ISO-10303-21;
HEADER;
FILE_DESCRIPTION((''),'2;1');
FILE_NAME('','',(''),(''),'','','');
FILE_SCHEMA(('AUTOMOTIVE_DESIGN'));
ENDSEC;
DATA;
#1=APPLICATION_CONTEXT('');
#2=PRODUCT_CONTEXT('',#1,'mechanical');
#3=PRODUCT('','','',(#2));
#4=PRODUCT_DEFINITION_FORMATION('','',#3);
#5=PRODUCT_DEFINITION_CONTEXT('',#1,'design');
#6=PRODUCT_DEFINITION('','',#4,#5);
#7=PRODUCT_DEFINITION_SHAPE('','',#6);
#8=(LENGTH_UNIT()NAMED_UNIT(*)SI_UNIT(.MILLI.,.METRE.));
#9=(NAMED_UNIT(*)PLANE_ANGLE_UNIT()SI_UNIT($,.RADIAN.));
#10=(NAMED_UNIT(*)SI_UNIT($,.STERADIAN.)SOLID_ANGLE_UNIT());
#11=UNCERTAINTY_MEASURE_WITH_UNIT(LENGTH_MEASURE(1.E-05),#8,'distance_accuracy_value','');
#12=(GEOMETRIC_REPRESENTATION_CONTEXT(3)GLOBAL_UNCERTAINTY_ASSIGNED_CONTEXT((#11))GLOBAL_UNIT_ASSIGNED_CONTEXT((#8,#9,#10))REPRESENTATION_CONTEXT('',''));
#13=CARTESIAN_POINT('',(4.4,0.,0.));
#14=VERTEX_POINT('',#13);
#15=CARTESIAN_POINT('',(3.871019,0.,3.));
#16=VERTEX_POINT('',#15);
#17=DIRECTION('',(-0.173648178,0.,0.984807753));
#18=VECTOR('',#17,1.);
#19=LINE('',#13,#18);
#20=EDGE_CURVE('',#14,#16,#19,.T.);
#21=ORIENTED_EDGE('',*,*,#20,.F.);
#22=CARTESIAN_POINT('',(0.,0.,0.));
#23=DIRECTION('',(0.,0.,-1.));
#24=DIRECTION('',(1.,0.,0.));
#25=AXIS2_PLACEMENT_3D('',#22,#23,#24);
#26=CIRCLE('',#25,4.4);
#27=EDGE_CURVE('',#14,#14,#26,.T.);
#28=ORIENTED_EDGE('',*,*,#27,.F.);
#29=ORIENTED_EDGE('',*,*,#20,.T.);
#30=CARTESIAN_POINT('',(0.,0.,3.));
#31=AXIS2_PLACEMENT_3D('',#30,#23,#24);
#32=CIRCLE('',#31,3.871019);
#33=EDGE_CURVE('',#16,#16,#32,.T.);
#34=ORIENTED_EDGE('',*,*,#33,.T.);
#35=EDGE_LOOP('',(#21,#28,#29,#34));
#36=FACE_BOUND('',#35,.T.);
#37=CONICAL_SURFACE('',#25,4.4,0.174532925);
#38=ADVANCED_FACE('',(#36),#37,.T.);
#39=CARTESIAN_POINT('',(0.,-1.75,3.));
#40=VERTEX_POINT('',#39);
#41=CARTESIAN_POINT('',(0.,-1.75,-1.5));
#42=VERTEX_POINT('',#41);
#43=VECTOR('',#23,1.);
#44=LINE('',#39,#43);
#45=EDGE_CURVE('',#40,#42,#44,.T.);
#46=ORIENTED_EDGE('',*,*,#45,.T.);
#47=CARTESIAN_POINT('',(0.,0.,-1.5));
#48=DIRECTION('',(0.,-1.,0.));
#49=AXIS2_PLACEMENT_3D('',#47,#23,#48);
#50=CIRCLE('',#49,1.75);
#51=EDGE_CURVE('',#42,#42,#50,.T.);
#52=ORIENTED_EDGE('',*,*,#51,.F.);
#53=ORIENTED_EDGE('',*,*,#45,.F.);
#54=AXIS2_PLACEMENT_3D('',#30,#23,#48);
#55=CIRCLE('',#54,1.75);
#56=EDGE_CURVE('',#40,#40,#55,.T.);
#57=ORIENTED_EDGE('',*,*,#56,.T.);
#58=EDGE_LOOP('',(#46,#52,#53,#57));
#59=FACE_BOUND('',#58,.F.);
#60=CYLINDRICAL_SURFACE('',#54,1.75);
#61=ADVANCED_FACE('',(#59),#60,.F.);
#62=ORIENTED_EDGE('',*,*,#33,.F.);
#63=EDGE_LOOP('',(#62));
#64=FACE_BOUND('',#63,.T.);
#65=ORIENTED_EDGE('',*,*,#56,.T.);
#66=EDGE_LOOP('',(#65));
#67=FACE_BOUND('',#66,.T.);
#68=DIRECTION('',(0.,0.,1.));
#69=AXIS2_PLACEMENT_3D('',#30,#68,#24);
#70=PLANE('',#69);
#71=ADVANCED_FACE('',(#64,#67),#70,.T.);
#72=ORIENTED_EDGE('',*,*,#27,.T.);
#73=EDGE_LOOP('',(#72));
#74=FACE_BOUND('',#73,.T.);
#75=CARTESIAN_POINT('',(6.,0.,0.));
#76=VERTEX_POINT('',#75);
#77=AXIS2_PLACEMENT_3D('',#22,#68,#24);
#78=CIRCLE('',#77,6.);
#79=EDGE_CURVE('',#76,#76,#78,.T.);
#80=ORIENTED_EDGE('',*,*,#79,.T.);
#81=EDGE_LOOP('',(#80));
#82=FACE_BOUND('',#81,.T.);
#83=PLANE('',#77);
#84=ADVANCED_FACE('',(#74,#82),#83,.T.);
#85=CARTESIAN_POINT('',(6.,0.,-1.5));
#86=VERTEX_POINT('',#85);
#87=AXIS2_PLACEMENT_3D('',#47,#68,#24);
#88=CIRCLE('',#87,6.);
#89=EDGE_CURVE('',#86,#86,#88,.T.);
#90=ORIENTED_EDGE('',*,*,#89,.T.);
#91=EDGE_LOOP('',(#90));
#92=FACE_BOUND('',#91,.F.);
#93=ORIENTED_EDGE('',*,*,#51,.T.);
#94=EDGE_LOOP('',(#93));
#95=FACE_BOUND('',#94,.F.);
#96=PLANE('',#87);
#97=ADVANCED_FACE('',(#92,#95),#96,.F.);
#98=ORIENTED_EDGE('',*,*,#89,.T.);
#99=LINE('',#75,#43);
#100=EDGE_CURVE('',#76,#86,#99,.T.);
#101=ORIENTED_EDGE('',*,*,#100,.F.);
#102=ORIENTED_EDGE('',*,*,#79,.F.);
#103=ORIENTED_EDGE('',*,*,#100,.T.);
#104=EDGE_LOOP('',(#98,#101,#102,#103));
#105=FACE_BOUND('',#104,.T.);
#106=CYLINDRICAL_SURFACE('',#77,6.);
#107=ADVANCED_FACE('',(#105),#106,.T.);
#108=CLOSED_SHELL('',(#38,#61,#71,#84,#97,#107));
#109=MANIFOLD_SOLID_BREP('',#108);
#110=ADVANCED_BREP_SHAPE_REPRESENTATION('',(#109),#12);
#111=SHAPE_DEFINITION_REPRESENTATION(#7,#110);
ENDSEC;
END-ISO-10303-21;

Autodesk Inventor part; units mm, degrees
ref_plane "YZ Plane" through (0, 0, 0) normal (1, 0, 0) x (0, 1, 0)
ref_plane "XZ Plane" through (0, 0, 0) normal (0, 1, 0) x (-1, 0, 0)
ref_plane "XY Plane" through (0, 0, 0) normal (0, 0, 1) x (1, 0, 0)
sketch "Sketch1" plane through (0, 0, 0) normal (0, 0, 1) x (1, 0, 0)
  circle A0 centre (0, 0) radius 6
  circle A1 centre (0, 0) radius 4.4
  dimension "d0" = 12
  dimension "d1" = 8.8
extrude "Extrusion1" add sketch "Sketch1" against normal blind 1.5 contours A0 | A1
extrude "Extrusion2" add sketch "Sketch1" along normal blind 3 draft -10 contours A1
hole "Hole1" at (0, 0, 3) direction (0, 0, -1) diameter 3.5 end through all
properties part number "segment1_coupler1" material "ABS Plastic"
